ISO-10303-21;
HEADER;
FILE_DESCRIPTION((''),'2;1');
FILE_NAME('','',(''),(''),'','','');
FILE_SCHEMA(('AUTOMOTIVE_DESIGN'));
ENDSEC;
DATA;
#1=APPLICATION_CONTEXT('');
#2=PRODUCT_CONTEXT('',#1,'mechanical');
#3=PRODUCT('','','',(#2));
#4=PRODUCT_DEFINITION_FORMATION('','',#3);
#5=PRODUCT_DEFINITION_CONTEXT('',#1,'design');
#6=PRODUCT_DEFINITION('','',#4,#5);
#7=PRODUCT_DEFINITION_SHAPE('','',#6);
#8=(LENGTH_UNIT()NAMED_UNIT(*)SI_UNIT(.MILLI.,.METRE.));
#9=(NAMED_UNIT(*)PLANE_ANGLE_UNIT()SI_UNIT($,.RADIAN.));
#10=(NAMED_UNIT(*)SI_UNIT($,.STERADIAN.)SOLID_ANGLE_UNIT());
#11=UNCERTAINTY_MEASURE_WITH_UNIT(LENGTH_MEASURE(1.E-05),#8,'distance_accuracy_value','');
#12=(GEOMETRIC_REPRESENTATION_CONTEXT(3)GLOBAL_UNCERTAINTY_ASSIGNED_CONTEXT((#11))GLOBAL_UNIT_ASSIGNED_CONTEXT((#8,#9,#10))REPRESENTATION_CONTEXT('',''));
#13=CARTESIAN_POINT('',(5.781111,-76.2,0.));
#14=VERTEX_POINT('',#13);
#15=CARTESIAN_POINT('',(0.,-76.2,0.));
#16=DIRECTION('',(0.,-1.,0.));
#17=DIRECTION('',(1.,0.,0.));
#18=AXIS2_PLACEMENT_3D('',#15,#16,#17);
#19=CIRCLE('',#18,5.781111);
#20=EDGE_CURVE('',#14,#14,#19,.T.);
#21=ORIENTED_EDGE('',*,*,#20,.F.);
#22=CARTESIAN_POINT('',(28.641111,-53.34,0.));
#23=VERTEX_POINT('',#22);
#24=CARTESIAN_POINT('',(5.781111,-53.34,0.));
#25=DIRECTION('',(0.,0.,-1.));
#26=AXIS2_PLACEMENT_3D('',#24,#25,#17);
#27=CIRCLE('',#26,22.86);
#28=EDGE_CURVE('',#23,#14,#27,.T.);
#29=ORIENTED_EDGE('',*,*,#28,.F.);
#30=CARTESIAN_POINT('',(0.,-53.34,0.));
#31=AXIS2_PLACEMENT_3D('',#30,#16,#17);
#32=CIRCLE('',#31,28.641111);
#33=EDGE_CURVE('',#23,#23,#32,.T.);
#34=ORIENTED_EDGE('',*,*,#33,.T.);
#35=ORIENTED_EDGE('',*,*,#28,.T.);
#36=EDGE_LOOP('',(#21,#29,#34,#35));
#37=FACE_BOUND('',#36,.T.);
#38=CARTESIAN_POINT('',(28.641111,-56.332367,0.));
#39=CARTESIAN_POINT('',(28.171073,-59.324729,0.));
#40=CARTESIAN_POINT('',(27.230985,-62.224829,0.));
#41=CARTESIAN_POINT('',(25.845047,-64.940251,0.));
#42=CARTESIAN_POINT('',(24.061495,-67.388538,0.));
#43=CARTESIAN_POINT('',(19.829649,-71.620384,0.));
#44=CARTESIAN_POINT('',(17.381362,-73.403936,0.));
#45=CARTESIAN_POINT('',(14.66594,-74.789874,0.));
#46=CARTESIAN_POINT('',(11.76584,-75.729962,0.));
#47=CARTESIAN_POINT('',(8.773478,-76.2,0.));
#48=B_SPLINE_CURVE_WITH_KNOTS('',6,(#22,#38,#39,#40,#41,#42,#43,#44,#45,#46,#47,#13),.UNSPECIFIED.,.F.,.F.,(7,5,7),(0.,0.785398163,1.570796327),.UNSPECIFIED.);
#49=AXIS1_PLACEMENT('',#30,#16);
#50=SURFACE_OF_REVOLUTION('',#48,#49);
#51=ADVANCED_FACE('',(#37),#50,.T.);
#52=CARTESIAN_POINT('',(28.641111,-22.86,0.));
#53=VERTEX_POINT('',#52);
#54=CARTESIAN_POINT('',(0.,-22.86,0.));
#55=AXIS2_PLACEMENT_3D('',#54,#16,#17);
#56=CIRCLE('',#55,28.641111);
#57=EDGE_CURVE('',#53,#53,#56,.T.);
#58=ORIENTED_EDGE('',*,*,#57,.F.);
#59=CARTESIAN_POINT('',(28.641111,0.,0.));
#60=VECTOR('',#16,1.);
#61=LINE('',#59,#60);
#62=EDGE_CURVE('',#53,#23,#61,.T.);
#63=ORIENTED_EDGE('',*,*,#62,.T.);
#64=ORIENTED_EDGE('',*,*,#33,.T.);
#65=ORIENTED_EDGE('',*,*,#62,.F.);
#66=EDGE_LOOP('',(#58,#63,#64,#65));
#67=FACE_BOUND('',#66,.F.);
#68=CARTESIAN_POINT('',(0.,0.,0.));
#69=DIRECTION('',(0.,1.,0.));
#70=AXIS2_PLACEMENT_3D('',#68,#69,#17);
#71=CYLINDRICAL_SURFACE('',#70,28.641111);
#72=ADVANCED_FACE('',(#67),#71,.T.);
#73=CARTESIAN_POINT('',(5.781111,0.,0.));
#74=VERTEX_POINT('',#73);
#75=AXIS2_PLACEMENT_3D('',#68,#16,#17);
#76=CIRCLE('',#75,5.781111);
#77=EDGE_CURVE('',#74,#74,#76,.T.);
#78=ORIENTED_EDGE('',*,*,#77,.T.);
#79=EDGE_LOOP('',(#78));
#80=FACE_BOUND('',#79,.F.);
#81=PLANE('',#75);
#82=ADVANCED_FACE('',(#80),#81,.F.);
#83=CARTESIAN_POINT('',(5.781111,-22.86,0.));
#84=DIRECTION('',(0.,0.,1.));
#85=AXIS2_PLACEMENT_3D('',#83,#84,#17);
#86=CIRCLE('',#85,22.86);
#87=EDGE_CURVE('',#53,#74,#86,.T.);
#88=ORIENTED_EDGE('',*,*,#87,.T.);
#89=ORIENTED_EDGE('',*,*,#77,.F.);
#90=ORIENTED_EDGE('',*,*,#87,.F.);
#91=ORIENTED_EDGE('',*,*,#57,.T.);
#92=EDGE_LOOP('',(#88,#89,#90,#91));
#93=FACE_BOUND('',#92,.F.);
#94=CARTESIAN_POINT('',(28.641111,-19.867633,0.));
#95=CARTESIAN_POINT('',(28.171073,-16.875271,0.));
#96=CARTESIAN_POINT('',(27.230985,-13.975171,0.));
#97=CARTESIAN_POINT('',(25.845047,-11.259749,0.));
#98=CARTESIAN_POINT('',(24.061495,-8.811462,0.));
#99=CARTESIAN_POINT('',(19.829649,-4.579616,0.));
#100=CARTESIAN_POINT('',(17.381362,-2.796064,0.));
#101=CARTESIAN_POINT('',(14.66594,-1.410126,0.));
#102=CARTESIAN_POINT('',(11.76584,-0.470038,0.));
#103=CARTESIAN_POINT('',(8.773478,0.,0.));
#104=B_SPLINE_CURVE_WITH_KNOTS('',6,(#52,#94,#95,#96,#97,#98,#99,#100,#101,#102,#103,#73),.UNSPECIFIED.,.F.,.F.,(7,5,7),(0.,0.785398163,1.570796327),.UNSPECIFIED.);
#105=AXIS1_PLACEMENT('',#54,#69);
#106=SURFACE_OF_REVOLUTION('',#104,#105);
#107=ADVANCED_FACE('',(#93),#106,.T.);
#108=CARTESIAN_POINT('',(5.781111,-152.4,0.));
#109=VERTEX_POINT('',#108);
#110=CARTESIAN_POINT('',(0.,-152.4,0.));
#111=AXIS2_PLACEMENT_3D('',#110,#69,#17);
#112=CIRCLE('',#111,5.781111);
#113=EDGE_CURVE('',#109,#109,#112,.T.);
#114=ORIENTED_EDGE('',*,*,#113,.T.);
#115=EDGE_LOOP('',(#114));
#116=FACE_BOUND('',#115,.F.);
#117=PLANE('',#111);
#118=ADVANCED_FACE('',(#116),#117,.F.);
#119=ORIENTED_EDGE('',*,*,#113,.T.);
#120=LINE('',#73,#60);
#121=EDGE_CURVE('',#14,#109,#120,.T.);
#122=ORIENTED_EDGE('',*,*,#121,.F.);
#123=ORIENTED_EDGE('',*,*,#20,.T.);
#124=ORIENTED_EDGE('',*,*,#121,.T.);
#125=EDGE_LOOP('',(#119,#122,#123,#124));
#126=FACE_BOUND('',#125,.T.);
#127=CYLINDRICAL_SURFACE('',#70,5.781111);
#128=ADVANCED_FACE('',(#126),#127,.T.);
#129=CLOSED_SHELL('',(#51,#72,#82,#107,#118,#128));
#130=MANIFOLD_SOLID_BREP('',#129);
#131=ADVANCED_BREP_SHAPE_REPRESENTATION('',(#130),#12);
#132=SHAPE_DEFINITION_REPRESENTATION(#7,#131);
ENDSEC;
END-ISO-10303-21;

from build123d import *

# Parameters (mm, degrees)
F0_R      = 28.641111
F1_DEPTH  = 76.2
F2_R      = 22.86
F1_FACE_R = 5.781111
F3_DEPTH  = 152.4


with BuildPart() as f1:
    # F0 (on Front) → F1 (new body)
    with BuildSketch(Plane.XZ):
        Circle(F0_R)
    extrude(amount=F1_DEPTH)

    # F2
    f2_edges = [f1.edges().sort_by_distance(p)[0] for p in [
        (-28.641111, -76.2, 0),
        (28.641111, -38.1, 0),
        (-28.641111, 0, 0),
    ]]
    fillet(f2_edges, radius=F2_R)

    # F1_face (on face) → F3 (join)
    with BuildSketch(Plane(origin=(0, 0, 0), x_dir=(1, 0, 0), z_dir=(0, 1, 0))):
        Circle(F1_FACE_R)
    extrude(amount=-F3_DEPTH)


solid = f1.part
